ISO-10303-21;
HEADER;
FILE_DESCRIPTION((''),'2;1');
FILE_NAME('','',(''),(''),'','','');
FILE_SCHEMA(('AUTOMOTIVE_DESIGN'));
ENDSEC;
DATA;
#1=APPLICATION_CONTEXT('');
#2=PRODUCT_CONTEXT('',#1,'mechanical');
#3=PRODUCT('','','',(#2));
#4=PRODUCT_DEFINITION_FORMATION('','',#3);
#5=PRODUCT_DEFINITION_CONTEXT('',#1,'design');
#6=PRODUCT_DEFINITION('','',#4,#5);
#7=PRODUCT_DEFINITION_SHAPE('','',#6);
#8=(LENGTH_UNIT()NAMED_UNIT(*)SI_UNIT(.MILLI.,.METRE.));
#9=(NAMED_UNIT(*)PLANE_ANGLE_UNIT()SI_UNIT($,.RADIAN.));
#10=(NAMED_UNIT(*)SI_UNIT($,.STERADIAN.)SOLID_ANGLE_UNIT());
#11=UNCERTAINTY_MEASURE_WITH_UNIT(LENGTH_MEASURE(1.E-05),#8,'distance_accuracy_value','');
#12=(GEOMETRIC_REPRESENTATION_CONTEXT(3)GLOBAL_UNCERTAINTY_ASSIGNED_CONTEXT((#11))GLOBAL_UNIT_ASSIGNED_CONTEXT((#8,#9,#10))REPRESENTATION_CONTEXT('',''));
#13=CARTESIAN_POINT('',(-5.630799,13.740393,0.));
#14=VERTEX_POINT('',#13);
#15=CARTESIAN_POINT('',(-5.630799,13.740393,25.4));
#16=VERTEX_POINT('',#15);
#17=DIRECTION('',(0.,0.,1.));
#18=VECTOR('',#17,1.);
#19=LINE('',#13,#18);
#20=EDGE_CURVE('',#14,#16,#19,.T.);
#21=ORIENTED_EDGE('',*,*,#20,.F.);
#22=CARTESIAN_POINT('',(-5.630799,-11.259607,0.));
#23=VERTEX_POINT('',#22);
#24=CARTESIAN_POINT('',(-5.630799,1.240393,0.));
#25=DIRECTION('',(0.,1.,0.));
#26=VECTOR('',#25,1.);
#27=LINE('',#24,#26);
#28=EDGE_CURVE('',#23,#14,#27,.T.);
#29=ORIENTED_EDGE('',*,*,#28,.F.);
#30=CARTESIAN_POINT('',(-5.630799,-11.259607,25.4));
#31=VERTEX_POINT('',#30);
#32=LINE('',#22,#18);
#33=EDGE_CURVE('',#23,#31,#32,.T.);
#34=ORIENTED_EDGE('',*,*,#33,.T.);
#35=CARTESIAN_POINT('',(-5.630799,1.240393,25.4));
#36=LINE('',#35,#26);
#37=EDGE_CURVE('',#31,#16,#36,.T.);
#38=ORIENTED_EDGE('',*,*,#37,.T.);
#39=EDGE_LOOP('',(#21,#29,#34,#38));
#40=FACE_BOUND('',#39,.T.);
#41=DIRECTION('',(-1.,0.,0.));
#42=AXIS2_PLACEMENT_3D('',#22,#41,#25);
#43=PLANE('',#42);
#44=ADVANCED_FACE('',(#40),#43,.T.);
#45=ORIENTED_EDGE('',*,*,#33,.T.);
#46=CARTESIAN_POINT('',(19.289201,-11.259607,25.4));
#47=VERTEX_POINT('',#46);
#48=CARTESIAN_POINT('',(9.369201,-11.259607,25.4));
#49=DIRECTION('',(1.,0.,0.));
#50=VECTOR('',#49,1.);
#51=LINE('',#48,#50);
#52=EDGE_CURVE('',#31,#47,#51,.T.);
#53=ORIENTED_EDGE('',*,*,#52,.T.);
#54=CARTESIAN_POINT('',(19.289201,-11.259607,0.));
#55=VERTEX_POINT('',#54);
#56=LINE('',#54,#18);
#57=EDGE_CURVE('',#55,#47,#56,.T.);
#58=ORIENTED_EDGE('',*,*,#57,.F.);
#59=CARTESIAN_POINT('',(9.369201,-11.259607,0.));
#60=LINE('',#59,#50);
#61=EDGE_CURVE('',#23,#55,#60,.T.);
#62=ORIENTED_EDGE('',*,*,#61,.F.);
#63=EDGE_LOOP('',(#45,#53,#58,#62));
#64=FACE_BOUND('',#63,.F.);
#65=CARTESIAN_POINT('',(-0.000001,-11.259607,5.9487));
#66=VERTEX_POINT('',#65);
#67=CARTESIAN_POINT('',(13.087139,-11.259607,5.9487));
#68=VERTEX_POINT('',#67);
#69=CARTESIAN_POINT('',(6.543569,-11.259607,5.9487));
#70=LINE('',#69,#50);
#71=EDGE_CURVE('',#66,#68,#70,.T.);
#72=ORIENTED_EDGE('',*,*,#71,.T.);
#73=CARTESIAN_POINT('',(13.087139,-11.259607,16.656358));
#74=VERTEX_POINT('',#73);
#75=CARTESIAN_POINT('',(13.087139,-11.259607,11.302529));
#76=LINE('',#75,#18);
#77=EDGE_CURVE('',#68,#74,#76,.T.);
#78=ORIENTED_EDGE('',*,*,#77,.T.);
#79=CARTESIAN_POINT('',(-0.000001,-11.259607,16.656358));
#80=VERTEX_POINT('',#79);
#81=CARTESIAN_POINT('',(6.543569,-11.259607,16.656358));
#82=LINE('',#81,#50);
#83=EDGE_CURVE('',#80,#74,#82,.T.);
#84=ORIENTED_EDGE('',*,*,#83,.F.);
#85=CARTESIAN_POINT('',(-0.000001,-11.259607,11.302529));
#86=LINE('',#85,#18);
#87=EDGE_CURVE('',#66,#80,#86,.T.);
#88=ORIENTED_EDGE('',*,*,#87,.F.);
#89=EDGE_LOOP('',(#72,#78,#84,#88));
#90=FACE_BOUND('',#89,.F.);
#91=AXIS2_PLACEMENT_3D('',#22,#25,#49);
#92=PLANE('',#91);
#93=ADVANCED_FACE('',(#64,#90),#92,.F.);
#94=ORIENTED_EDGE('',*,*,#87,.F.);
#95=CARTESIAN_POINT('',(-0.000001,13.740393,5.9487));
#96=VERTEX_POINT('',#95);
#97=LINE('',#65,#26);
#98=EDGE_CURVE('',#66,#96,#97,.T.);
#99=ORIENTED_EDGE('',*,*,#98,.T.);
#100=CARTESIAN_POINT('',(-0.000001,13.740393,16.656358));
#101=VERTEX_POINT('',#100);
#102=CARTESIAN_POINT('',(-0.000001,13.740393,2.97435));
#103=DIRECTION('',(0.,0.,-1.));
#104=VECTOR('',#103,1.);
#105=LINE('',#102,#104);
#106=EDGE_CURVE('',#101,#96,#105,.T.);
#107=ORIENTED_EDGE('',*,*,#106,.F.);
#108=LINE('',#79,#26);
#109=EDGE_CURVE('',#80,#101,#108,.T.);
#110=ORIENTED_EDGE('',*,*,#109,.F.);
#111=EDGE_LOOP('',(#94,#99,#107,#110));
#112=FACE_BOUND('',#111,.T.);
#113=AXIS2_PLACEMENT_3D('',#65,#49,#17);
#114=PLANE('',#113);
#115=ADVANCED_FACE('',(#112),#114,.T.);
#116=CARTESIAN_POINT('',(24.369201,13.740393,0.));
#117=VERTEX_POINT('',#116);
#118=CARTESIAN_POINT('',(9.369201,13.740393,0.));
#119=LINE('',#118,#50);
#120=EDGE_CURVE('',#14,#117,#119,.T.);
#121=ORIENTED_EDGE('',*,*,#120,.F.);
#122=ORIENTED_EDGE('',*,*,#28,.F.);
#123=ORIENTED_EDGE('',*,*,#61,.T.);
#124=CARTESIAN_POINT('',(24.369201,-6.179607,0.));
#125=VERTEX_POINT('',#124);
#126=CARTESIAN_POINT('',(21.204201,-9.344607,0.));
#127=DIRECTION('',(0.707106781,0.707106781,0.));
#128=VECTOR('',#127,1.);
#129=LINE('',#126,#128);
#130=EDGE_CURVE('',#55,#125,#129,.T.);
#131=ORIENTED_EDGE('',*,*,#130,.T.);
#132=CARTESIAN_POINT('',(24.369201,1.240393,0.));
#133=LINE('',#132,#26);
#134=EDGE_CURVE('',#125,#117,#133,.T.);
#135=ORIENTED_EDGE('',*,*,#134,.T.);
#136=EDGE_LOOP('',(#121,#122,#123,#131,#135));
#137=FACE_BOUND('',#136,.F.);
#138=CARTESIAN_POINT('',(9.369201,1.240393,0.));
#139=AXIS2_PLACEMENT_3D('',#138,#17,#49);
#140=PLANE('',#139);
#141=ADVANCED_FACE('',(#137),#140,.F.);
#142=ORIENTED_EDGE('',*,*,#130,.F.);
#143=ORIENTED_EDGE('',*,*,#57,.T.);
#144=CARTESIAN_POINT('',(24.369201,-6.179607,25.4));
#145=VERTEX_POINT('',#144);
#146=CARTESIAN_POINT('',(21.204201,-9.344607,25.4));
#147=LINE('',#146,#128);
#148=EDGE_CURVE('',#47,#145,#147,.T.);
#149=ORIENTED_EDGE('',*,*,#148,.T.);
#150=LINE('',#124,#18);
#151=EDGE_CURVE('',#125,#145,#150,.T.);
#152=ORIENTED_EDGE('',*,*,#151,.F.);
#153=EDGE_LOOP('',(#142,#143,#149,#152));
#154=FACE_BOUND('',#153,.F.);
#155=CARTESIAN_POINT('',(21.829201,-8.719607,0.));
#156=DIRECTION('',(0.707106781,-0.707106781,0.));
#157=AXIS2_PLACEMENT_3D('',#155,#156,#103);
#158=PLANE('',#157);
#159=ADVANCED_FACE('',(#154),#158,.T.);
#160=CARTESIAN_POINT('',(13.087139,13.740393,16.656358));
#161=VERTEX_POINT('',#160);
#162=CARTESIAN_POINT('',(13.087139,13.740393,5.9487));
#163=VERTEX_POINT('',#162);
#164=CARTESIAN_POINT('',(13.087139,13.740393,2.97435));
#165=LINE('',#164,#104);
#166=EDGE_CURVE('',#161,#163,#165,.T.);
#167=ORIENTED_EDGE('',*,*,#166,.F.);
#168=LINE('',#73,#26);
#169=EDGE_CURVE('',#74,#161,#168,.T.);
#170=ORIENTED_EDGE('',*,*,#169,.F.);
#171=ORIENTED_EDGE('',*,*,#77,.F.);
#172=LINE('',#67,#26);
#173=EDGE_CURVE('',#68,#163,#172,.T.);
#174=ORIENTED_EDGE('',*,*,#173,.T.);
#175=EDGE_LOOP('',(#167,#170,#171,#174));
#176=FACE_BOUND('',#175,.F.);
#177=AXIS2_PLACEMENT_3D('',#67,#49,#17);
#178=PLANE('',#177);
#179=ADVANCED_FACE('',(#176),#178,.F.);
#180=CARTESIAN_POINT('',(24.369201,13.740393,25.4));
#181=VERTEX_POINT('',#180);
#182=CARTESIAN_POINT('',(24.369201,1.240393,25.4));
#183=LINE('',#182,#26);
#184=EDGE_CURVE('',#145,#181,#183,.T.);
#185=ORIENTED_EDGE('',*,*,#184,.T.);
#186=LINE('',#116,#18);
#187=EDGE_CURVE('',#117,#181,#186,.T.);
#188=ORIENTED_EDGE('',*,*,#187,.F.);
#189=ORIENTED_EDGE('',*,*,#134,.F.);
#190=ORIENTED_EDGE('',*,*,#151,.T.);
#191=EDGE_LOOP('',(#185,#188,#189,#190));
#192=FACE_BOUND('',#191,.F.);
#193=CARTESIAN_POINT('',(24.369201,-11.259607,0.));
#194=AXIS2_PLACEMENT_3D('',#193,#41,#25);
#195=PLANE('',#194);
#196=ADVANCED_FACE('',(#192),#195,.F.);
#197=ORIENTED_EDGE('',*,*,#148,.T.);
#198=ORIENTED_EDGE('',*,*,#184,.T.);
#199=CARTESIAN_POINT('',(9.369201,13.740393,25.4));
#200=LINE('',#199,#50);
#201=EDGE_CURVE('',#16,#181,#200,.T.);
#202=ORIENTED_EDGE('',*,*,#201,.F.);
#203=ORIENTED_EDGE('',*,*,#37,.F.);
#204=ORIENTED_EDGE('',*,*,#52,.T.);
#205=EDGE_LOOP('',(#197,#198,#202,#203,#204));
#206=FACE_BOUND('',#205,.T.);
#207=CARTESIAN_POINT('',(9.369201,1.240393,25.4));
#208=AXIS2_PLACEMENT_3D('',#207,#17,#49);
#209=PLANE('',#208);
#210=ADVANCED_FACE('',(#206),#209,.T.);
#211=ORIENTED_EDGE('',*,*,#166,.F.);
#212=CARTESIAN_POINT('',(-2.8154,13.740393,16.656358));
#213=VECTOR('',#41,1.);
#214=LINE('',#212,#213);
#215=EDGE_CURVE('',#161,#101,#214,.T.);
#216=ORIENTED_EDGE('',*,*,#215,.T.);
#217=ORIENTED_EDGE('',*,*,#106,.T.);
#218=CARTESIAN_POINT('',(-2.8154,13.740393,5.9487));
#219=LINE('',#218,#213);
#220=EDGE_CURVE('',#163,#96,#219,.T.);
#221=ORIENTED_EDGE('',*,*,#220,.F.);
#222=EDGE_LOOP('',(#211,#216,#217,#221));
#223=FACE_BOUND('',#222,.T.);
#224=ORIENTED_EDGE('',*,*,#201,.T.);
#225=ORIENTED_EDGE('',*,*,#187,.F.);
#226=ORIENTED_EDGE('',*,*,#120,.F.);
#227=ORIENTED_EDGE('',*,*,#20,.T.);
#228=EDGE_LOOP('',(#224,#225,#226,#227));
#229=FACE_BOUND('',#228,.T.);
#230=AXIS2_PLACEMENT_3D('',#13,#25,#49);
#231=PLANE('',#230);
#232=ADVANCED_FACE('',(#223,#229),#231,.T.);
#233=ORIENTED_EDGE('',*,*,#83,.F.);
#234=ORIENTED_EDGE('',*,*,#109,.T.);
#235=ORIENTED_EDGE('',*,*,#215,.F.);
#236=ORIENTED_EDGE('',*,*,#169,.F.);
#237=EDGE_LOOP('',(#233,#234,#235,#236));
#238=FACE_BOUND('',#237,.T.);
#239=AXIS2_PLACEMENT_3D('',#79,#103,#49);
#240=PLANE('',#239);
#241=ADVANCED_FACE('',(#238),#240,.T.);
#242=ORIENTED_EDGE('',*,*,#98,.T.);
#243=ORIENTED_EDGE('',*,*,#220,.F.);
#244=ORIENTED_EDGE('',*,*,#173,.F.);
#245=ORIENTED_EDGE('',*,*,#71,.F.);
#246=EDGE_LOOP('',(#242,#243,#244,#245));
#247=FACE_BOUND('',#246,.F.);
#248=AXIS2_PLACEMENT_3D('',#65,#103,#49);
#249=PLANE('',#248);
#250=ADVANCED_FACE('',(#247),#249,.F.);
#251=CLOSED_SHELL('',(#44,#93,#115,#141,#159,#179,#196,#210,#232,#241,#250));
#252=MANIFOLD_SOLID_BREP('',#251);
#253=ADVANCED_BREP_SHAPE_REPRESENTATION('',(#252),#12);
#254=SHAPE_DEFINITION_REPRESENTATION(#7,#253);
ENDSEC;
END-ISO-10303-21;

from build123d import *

# Parameters (mm, degrees)
F0_W     = 30
F0_H     = 25
F1_DEPTH = 25.4
F2_SIZE  = 5.08
F3_W     = 13.087139
F3_H     = 10.707659
F4_DEPTH = 35.941


with BuildPart() as f1:
    # F0 (on Top) → F1 (new body)
    with BuildSketch(Plane.XY):
        with Locations((9.369201, 1.240393)):
            Rectangle(F0_W, F0_H)
    extrude(amount=F1_DEPTH)

    # F2
    f2_edges = [f1.edges().sort_by_distance(p)[0] for p in [
        (24.369201, -11.259607, 12.7),
    ]]
    chamfer(f2_edges, length=F2_SIZE)

    # F3 (on face) → F4 (cut)
    with BuildSketch(Plane.XZ.offset(11.259607)):
        with Locations((6.543569, 11.302529)):
            Rectangle(F3_W, F3_H)
    extrude(amount=-F4_DEPTH, mode=Mode.SUBTRACT)


solid = f1.part
